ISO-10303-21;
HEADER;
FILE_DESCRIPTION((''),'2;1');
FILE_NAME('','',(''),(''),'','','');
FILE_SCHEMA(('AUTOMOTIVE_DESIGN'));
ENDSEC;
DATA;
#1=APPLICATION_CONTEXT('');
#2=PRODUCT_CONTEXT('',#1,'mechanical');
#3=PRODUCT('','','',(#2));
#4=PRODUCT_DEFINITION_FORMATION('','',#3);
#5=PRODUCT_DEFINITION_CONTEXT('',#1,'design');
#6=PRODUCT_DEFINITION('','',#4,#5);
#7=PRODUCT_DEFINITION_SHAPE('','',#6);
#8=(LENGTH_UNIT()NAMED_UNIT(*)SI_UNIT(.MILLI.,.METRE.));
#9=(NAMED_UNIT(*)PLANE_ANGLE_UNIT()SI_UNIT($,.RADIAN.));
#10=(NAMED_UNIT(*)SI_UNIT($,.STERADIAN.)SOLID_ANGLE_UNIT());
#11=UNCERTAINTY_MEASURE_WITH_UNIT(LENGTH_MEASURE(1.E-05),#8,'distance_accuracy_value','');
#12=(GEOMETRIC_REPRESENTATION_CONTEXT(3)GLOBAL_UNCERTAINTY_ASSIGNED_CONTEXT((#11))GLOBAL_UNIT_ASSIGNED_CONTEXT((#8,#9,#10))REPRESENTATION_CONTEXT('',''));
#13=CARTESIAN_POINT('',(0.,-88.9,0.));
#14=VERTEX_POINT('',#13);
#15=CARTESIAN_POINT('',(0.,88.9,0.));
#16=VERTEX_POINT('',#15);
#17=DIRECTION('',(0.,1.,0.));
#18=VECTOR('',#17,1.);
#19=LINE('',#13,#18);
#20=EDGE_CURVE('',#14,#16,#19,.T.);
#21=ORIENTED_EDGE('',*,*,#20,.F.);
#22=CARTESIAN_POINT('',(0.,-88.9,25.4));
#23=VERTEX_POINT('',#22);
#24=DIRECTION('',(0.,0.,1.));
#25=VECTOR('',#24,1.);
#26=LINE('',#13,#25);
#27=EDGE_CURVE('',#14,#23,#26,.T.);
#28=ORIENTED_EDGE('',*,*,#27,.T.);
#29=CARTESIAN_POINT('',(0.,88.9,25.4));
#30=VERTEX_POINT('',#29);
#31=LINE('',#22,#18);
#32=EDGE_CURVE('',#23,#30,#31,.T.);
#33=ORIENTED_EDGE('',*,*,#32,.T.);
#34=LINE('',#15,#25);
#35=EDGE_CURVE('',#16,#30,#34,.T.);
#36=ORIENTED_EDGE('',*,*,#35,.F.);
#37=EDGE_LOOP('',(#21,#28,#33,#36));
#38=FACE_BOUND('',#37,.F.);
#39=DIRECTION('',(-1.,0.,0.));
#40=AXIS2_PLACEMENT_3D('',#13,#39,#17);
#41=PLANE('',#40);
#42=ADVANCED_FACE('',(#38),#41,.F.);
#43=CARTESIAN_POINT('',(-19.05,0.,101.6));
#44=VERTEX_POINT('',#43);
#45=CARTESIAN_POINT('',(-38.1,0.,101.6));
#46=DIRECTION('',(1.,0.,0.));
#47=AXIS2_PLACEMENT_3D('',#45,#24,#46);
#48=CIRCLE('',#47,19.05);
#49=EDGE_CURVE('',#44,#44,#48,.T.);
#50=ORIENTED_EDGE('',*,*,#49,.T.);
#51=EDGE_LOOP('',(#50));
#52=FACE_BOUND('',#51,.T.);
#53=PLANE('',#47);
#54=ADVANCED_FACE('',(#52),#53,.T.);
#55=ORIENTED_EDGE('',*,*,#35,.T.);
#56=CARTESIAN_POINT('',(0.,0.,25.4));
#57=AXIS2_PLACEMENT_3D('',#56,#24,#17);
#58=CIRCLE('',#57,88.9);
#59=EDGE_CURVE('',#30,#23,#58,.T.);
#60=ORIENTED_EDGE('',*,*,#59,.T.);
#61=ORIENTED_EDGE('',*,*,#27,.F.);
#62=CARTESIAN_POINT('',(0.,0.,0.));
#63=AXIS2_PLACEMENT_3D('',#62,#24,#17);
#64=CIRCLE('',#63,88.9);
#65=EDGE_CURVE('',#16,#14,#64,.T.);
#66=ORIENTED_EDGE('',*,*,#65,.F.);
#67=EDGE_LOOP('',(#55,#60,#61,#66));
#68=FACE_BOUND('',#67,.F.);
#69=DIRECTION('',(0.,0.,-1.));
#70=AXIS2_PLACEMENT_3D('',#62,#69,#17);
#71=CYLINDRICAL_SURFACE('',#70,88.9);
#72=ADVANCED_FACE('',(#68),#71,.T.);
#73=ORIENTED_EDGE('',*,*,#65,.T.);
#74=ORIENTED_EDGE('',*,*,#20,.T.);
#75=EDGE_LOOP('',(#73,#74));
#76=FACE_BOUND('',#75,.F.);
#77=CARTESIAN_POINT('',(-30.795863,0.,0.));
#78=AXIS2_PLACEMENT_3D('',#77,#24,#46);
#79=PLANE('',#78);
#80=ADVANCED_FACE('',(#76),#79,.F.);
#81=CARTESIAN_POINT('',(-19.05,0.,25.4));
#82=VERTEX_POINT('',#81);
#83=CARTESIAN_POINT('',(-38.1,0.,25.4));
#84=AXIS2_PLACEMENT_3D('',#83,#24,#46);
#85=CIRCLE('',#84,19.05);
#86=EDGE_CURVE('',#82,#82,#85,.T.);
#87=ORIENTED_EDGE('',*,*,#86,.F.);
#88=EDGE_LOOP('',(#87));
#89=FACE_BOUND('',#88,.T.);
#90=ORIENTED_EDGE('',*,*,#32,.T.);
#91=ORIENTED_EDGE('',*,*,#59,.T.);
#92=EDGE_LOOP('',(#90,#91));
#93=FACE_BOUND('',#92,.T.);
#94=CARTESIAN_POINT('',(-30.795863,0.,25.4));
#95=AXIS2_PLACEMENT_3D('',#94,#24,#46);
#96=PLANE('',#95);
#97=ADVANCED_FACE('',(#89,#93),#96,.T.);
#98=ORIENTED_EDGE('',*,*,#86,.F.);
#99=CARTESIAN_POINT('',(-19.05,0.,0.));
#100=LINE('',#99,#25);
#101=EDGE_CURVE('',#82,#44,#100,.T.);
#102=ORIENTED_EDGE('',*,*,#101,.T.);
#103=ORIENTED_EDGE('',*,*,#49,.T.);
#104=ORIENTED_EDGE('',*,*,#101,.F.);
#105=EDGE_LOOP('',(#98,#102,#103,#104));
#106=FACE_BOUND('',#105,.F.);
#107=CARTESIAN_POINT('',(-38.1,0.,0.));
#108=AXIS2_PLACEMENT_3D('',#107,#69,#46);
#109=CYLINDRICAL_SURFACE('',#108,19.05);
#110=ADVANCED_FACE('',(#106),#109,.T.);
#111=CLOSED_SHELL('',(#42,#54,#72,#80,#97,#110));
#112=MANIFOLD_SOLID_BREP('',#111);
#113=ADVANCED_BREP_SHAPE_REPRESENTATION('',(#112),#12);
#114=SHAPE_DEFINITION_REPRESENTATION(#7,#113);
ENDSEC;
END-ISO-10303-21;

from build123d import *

# Parameters (mm, degrees)
F0_R     = 19.05
F1_DEPTH = 101.6
F2_DEPTH = 25.4
F3_DEPTH = 76.2


with BuildPart() as f1:
    # F0 (on Top) → F1 (new body)
    with BuildSketch(Plane.XY):
        with Locations((-38.1, 0)):
            Circle(F0_R)
    extrude(amount=F1_DEPTH)

    # F0 (on Top) → F2 (join)
    with BuildSketch(Plane.XY):
        with BuildLine():
            Line((0, -88.9), (0, 88.9))
            ThreePointArc((0, 88.9), (-88.9, 0), (0, -88.9))
        make_face()
        with Locations((-38.1, 0)):
            Circle(F0_R, mode=Mode.SUBTRACT)
    extrude(amount=F2_DEPTH)

    # F3 (cut): a face of the model
    f3_faces = [f1.faces().sort_by_distance(p)[0] for p in [
        (-38.1, 0, 101.6),
    ]]
    extrude(f3_faces, amount=F3_DEPTH, mode=Mode.SUBTRACT)


solid = f1.part
